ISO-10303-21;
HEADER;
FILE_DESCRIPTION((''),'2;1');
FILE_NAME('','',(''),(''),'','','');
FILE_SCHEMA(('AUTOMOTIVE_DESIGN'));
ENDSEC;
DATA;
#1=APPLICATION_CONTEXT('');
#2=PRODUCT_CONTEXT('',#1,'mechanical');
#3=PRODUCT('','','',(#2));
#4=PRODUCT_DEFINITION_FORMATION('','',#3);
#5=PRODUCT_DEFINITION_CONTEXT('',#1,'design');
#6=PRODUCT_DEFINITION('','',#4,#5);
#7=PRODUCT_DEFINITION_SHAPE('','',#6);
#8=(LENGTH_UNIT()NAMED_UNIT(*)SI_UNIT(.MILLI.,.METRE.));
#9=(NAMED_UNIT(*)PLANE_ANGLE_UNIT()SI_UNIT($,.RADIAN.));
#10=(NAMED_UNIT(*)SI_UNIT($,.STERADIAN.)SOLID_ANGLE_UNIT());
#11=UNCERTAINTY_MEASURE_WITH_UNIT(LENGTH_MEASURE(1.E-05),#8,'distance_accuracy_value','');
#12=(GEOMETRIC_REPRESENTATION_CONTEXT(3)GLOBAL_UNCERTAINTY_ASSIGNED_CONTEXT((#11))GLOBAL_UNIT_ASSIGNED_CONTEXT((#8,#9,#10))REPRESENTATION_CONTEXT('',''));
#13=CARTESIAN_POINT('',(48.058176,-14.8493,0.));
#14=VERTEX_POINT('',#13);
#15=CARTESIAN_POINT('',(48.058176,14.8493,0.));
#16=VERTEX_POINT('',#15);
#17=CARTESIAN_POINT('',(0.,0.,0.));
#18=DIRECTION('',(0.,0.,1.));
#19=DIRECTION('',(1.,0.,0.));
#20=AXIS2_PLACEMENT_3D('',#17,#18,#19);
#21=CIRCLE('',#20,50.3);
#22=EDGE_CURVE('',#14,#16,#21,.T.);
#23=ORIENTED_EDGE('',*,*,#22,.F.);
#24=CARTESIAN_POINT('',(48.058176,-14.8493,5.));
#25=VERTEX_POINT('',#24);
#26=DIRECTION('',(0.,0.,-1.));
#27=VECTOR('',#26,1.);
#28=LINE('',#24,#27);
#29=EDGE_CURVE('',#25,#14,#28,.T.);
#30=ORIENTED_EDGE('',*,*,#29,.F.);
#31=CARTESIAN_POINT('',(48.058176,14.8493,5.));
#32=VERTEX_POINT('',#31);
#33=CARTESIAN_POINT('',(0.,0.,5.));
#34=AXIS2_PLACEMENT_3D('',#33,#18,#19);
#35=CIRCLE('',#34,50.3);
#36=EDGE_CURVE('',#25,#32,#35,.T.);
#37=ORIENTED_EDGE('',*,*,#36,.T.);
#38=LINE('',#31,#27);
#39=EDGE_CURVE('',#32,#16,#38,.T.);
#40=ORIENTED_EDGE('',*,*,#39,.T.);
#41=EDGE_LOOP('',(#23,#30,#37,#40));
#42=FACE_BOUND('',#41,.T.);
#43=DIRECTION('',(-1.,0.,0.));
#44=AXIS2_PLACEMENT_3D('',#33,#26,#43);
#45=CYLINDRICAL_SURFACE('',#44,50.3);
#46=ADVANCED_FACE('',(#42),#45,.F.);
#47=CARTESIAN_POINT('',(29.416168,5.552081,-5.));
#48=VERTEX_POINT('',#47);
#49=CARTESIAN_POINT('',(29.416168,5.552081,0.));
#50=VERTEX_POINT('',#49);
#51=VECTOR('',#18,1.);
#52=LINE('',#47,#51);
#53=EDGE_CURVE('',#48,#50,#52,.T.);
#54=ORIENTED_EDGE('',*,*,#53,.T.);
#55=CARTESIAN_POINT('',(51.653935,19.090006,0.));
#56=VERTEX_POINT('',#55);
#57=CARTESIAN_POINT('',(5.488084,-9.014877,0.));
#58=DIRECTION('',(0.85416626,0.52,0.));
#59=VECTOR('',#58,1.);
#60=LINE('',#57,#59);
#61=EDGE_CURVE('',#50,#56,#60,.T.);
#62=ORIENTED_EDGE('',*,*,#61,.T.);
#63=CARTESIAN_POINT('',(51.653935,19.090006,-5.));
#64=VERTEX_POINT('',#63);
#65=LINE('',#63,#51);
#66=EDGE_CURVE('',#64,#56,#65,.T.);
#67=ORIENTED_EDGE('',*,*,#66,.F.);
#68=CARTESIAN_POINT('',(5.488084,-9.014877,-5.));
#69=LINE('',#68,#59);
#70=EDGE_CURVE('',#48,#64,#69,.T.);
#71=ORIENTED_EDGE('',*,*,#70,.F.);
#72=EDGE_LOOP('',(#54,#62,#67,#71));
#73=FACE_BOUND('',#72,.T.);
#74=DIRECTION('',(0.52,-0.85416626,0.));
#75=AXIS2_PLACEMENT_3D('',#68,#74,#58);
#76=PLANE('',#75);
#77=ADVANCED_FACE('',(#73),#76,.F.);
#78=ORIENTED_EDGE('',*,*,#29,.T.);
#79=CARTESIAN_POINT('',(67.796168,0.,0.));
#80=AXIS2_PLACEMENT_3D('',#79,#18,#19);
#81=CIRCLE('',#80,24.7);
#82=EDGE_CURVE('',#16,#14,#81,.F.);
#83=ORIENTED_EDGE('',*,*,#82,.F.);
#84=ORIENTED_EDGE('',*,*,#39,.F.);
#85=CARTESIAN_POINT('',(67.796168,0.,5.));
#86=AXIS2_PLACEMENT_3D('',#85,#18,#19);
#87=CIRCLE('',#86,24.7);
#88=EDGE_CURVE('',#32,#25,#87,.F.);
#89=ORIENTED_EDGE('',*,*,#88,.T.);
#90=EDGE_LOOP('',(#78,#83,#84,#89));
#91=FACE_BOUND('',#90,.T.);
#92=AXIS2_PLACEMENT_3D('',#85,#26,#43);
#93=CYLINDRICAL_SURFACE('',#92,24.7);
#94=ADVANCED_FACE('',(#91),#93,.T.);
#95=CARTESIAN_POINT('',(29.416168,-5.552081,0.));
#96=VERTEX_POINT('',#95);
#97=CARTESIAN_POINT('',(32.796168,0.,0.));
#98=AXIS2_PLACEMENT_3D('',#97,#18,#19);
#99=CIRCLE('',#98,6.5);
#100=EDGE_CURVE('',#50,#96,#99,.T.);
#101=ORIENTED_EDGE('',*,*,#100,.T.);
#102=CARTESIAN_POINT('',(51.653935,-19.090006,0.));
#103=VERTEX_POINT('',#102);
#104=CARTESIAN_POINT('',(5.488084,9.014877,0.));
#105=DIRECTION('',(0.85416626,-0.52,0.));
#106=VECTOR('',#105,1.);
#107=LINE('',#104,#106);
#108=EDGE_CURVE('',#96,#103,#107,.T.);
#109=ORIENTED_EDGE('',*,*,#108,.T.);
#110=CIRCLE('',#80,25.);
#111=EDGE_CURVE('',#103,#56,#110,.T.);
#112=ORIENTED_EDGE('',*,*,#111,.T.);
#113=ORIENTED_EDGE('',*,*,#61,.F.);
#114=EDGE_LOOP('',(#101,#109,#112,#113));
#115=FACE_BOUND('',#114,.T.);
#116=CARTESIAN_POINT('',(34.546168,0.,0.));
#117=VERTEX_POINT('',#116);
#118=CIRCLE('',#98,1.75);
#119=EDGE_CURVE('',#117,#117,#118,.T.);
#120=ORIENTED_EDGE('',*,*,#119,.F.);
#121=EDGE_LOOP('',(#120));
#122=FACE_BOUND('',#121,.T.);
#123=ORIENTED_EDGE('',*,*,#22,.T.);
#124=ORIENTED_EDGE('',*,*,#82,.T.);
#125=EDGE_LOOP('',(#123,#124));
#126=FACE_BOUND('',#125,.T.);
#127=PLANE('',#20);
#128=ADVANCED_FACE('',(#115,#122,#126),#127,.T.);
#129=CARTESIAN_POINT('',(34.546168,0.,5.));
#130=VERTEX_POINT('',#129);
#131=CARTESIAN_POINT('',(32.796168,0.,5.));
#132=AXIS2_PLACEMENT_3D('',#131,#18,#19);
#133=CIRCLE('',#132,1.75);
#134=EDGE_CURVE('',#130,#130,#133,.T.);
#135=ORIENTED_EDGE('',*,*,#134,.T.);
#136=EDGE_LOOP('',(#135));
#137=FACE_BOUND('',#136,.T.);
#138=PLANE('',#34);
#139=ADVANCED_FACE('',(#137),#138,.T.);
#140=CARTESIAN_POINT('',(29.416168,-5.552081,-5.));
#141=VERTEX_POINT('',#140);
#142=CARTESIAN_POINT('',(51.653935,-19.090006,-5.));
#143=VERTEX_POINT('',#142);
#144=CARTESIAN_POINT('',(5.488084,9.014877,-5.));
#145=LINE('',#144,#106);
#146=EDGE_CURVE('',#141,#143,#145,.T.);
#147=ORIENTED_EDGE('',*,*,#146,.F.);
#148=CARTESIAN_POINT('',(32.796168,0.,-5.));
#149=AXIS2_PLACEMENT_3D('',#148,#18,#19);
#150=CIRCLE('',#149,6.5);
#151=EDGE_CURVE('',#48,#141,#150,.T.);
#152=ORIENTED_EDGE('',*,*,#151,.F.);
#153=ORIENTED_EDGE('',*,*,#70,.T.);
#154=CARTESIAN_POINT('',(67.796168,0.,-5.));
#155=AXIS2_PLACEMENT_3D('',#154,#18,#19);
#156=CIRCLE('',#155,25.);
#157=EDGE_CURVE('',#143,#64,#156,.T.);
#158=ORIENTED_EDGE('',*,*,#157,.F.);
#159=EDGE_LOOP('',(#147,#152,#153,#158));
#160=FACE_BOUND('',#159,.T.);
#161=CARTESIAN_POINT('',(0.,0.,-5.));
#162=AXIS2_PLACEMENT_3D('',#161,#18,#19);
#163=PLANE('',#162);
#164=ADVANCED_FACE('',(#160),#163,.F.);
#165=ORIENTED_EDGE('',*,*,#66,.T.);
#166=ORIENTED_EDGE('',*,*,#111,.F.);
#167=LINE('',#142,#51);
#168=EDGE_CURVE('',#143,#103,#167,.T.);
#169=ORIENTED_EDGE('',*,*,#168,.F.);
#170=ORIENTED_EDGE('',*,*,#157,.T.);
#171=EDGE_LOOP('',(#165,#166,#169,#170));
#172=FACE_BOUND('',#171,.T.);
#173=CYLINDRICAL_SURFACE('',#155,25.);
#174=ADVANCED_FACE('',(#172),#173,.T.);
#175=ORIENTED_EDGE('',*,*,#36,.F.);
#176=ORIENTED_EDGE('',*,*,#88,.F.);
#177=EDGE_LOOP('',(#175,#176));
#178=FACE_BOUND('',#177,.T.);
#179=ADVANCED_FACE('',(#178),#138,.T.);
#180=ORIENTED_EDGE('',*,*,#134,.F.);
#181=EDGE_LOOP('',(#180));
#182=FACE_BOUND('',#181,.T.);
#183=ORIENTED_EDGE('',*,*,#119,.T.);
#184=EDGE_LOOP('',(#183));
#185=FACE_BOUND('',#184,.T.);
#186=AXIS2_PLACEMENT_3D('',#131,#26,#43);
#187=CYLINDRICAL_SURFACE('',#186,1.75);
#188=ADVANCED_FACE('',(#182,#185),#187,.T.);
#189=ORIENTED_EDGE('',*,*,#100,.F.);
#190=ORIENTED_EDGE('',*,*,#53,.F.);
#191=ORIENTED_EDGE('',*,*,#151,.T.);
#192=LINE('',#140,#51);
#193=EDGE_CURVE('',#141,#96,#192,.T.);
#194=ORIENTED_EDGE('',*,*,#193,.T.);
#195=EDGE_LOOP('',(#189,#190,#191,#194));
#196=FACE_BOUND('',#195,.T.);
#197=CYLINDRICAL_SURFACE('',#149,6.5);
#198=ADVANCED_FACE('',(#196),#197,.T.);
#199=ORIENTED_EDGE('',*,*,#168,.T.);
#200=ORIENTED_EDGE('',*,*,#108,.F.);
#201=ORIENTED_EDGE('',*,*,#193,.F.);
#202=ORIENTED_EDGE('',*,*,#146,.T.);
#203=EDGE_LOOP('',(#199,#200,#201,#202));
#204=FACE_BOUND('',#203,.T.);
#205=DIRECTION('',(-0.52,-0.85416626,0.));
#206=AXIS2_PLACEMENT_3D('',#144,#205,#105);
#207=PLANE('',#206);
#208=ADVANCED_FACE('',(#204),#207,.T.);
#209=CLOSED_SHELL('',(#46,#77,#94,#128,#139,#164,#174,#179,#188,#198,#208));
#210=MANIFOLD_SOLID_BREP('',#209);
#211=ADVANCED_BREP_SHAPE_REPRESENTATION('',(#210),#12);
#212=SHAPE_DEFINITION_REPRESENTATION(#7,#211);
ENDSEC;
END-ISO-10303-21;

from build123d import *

# Parameters (mm, degrees)
BOSS_EXTRUDE1_DEPTH = 5
SKETCH1_4_R         = 1.75
BOSS_EXTRUDE2_DEPTH = 5


with BuildPart() as part:
    # Sketch1 → Boss-Extrude1 (new body)
    with BuildSketch(Plane.XY):
        with BuildLine():
            ThreePointArc((51.653935363, -19.09000623), (92.796167617, 0), (51.653935363, 19.09000623))
            Line((51.653935363, 19.09000623), (29.416167617, 5.552080691))
            ThreePointArc((29.416167617, 5.552080691), (26.296167617, 0), (29.416167617, -5.552080691))
            Line((29.416167617, -5.552080691), (51.653935363, -19.09000623))
        make_face()
    extrude(amount=-BOSS_EXTRUDE1_DEPTH)

    # Sketch1<4> → Boss-Extrude2 (add)
    with BuildSketch(Plane.XY):
        with BuildLine():
            ThreePointArc((48.058176241, -14.849299526), (92.496167617, 0), (48.058176241, 14.849299526))
            ThreePointArc((48.058176241, 14.849299526), (50.3, 0), (48.058176241, -14.849299526))
        make_face()
        with Locations((32.796167617, 0)):
            Circle(SKETCH1_4_R)
    extrude(amount=BOSS_EXTRUDE2_DEPTH)


solid = part.part
